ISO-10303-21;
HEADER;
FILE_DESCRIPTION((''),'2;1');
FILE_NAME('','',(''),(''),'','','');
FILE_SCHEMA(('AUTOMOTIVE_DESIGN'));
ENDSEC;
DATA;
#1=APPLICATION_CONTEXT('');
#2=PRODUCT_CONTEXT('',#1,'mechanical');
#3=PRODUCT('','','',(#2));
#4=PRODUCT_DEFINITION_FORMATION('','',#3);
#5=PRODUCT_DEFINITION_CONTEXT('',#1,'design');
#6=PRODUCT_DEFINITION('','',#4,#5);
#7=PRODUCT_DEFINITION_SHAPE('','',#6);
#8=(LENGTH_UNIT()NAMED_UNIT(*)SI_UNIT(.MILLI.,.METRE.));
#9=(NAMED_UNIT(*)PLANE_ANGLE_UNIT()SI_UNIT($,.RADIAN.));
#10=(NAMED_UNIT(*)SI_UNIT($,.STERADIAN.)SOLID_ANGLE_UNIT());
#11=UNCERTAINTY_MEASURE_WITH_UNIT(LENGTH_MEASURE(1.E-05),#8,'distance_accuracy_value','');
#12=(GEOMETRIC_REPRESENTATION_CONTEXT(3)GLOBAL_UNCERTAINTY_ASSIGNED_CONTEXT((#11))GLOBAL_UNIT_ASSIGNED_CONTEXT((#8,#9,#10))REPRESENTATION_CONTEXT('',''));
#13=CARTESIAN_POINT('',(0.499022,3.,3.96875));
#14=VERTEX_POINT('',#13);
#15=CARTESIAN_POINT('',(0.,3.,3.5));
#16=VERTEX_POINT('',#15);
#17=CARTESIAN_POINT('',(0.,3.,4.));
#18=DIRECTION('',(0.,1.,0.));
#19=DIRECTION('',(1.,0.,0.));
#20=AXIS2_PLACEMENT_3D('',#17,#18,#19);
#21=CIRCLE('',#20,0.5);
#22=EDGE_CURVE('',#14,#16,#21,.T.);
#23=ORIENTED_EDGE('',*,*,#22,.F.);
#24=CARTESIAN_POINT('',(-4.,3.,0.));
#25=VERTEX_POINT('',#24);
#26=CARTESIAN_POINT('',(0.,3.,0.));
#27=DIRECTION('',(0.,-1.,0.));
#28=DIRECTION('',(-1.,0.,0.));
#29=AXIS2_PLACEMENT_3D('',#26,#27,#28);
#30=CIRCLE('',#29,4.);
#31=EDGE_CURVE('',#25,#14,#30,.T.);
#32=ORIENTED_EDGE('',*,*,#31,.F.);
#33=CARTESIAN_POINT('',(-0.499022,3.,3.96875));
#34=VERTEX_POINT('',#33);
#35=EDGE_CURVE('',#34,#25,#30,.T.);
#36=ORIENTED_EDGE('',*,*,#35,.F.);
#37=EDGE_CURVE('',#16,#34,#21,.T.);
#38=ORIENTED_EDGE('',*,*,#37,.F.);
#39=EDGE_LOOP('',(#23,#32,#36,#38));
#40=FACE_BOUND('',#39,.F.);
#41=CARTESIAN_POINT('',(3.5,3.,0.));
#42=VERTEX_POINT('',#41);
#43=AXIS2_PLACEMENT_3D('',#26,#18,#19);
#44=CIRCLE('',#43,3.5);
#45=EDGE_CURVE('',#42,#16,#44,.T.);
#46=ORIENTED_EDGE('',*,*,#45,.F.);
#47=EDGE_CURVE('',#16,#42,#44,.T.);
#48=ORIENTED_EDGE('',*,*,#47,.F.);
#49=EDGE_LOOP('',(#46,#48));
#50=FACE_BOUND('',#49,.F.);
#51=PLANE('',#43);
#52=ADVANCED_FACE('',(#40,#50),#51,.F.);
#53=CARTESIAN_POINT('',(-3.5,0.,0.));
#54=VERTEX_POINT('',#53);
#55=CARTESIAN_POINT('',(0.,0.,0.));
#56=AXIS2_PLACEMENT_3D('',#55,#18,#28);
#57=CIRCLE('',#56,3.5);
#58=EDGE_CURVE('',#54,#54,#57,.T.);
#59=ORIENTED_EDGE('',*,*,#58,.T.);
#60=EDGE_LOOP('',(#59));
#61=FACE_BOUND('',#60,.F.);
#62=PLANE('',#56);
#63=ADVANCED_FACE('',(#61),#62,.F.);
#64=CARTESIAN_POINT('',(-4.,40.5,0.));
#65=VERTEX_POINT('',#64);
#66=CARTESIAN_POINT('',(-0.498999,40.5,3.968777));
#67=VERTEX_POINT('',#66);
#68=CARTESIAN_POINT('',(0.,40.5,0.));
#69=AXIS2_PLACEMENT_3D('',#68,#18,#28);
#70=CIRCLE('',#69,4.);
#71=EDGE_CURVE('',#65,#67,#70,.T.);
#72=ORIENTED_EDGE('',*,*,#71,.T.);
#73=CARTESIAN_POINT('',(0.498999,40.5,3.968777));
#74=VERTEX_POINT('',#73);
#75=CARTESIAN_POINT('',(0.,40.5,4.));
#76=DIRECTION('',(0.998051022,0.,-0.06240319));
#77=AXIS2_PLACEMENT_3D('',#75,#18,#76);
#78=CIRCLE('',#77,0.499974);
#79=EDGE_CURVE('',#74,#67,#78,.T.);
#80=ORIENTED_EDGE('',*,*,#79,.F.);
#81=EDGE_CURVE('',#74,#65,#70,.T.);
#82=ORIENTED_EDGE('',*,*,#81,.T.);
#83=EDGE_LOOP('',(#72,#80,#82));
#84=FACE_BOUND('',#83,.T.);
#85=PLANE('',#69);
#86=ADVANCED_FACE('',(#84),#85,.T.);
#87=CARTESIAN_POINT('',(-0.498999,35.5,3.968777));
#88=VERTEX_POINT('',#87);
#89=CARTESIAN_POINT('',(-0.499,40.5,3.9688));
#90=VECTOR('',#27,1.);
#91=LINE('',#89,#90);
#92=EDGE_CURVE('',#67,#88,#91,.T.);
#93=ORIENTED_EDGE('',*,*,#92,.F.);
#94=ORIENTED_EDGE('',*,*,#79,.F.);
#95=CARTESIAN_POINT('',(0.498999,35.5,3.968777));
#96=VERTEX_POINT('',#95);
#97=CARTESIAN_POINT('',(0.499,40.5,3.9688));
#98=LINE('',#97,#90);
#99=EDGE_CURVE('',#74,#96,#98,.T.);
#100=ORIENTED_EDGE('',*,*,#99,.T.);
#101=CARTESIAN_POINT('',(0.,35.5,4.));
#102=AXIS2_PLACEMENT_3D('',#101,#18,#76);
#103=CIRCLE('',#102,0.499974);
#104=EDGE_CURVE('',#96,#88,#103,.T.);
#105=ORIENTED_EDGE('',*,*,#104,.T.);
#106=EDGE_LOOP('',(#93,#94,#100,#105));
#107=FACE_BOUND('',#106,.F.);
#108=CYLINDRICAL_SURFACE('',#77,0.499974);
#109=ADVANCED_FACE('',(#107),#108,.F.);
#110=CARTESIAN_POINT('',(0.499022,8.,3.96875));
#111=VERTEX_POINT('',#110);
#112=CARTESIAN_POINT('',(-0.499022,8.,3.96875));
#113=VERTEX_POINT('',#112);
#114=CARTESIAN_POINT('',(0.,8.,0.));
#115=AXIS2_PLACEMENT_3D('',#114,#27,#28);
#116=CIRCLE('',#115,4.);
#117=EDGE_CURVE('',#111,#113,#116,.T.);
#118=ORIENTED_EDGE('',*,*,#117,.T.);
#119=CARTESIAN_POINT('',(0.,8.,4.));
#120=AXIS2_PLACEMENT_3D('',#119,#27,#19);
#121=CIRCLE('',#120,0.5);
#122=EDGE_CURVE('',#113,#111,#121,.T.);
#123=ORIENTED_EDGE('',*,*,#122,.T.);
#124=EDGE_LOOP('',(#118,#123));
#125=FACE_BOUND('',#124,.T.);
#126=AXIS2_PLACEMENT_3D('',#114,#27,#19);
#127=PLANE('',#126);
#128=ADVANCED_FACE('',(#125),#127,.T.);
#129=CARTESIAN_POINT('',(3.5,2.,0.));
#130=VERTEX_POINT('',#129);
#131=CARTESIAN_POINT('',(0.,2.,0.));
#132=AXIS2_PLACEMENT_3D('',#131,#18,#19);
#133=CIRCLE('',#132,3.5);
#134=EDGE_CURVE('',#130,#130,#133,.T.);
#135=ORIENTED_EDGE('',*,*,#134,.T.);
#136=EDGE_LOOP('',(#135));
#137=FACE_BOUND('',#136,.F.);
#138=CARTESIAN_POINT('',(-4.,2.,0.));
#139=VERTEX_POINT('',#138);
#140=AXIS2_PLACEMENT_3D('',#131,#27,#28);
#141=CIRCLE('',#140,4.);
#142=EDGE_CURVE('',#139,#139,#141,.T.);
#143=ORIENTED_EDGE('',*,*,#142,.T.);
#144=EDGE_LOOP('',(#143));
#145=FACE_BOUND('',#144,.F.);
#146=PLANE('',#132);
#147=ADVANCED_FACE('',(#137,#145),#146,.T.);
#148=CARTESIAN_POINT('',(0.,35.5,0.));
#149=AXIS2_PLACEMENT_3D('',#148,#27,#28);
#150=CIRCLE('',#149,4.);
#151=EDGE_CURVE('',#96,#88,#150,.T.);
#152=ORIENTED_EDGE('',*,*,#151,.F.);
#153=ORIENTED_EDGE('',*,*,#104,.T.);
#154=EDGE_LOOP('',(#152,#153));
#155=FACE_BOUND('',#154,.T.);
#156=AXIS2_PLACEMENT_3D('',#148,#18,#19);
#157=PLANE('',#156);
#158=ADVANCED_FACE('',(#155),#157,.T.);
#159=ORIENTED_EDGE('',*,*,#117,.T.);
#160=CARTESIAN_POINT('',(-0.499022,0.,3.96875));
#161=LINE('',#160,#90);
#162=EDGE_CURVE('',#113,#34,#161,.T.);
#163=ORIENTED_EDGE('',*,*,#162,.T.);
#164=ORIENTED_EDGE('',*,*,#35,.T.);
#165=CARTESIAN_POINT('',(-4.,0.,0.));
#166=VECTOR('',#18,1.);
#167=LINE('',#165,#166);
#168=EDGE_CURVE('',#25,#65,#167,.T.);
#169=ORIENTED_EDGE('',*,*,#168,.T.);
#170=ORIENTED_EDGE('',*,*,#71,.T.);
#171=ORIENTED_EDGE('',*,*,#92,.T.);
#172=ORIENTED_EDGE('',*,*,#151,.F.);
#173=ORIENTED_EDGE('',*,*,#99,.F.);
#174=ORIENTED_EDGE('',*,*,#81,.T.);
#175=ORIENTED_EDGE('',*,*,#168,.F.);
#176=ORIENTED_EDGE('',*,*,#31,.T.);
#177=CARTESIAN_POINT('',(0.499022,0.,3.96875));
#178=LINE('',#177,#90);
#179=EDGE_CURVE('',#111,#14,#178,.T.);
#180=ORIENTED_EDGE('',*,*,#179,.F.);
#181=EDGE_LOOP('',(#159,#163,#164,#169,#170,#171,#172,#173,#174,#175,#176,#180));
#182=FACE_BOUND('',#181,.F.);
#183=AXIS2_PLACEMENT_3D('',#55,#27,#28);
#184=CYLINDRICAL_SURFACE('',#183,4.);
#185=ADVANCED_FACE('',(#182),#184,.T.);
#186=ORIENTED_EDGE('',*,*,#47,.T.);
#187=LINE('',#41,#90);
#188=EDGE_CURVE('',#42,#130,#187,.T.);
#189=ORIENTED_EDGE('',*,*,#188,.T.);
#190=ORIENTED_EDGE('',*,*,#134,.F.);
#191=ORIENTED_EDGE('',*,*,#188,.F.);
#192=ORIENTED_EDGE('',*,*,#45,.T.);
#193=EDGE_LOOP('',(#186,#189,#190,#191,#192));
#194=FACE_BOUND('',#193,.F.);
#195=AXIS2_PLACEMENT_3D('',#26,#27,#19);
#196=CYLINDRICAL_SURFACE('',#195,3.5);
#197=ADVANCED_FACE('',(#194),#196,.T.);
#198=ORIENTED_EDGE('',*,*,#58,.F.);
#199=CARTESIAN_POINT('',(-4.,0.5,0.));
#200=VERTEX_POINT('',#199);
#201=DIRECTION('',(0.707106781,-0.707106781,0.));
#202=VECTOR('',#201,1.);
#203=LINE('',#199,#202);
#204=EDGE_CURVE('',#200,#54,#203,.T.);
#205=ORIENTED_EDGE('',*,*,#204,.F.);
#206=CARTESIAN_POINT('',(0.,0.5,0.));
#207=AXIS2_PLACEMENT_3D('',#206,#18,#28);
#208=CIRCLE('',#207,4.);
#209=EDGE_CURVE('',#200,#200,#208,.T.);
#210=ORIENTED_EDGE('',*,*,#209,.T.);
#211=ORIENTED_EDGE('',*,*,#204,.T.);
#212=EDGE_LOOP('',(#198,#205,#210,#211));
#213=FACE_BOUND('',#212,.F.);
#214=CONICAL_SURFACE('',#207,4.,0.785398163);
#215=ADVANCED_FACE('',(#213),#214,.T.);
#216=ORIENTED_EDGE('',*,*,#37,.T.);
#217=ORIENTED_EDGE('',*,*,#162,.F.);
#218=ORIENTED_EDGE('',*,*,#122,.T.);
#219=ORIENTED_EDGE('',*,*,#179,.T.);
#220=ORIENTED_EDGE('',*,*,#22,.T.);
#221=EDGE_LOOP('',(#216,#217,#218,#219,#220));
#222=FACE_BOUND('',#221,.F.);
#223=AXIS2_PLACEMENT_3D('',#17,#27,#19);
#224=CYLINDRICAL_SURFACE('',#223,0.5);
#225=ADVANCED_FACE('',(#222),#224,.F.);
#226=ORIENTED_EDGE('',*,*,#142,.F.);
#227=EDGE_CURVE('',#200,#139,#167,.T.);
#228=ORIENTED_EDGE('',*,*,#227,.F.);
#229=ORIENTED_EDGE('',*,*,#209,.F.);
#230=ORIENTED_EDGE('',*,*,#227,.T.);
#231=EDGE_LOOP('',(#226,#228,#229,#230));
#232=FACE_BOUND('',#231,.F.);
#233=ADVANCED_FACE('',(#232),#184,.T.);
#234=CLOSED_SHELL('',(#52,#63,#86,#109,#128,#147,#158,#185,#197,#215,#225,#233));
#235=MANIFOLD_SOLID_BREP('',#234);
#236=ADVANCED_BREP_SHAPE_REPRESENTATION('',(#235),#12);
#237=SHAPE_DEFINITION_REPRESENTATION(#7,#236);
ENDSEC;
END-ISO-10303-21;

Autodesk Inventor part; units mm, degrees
ref_plane "YZ Plane" through (0, 0, 0) normal (1, 0, 0) x (0, 1, 0)
ref_plane "XZ Plane" through (0, 0, 0) normal (0, 1, 0) x (-1, 0, 0)
ref_plane "XY Plane" through (0, 0, 0) normal (0, 0, 1) x (1, 0, 0)
sketch "Sketch1" plane through (0, 0, 0) normal (0, 1, 0) x (-1, 0, 0)
  circle A0 centre (0, 0) radius 4
  dimension "d0" = 8
extrude "Extrusion1" add sketch "Sketch1" along normal blind 40.5
chamfer "Chamfer1" distance 0.5 angle 45 1 edges at (4, 0, 0)
sketch "Sketch2" plane through (0, 0, 0) normal (0, 0, 1) x (1, 0, 0)
  line L0 (-4, 0.5) -> (-4, 40.5) construction
  line L1 (-3.5, 0) -> (-4, 0.5) construction
  line L2 (-4, 0.5) -> (4, 0.5) construction
  line L3 (3.5, 0) -> (-3.5, 0) construction
  line L4 (4, 40.5) -> (-4, 40.5) projected
  line L5 (-4, 0.5) -> (4, 0.5) construction
  line L6 (3.5, 0) -> (4, 0.5) construction
  line L7 (4, 0.5) -> (4, 40.5) construction
  line L8 (4, 3) -> (3.5, 3)
  line L9 (3.5, 3) -> (3.5, 2)
  line L10 (3.5, 2) -> (4, 2)
  line L11 (4, 2) -> (4, 3)
  line L12 (0, -7.9) -> (0, 47.4) projected
  point P0 (0, 0)
  dimension "d6" = 2
  dimension "d7" = 1
  dimension "d8" = 0.5
revolve "Revolution1" cut sketch "Sketch2" angle 360 about axis through (0, -10, 0) along (0, 1, 0)
sketch "Sketch6" plane through (0, 3, 0) normal (0, -1, 0) x (1, 0, 0)
  circle A0 centre (0, 0) radius 3.5 construction
  circle A1 centre (0, 0) radius 4 construction
  circle A2 centre (0, 0) radius 4 projected
  circle A3 centre (0, 4) radius 0.5
extrude "Extrusion4" cut sketch "Sketch6" against normal blind 5 contours A3 A2 | A2 A3 picked at (0.0193, 3.8321) picked at (0.0153, 4.1636)
sketch "Sketch7" plane through (0, 40.5, 0) normal (0, 1, 0) x (1, 0, 0)
  arc A0 (0.499, -3.9688) -> (-0.499, -3.9688) centre (0, -4) ccw projected
  circle A1 centre (0, -4) radius 0.5
  point P0 (0, 0)
  point P1 (-0.499, -3.9688)
  point P2 (0.499, -3.9688)
extrude "Extrusion5" cut sketch "Sketch7" against normal blind 5
properties part number "Trục"
